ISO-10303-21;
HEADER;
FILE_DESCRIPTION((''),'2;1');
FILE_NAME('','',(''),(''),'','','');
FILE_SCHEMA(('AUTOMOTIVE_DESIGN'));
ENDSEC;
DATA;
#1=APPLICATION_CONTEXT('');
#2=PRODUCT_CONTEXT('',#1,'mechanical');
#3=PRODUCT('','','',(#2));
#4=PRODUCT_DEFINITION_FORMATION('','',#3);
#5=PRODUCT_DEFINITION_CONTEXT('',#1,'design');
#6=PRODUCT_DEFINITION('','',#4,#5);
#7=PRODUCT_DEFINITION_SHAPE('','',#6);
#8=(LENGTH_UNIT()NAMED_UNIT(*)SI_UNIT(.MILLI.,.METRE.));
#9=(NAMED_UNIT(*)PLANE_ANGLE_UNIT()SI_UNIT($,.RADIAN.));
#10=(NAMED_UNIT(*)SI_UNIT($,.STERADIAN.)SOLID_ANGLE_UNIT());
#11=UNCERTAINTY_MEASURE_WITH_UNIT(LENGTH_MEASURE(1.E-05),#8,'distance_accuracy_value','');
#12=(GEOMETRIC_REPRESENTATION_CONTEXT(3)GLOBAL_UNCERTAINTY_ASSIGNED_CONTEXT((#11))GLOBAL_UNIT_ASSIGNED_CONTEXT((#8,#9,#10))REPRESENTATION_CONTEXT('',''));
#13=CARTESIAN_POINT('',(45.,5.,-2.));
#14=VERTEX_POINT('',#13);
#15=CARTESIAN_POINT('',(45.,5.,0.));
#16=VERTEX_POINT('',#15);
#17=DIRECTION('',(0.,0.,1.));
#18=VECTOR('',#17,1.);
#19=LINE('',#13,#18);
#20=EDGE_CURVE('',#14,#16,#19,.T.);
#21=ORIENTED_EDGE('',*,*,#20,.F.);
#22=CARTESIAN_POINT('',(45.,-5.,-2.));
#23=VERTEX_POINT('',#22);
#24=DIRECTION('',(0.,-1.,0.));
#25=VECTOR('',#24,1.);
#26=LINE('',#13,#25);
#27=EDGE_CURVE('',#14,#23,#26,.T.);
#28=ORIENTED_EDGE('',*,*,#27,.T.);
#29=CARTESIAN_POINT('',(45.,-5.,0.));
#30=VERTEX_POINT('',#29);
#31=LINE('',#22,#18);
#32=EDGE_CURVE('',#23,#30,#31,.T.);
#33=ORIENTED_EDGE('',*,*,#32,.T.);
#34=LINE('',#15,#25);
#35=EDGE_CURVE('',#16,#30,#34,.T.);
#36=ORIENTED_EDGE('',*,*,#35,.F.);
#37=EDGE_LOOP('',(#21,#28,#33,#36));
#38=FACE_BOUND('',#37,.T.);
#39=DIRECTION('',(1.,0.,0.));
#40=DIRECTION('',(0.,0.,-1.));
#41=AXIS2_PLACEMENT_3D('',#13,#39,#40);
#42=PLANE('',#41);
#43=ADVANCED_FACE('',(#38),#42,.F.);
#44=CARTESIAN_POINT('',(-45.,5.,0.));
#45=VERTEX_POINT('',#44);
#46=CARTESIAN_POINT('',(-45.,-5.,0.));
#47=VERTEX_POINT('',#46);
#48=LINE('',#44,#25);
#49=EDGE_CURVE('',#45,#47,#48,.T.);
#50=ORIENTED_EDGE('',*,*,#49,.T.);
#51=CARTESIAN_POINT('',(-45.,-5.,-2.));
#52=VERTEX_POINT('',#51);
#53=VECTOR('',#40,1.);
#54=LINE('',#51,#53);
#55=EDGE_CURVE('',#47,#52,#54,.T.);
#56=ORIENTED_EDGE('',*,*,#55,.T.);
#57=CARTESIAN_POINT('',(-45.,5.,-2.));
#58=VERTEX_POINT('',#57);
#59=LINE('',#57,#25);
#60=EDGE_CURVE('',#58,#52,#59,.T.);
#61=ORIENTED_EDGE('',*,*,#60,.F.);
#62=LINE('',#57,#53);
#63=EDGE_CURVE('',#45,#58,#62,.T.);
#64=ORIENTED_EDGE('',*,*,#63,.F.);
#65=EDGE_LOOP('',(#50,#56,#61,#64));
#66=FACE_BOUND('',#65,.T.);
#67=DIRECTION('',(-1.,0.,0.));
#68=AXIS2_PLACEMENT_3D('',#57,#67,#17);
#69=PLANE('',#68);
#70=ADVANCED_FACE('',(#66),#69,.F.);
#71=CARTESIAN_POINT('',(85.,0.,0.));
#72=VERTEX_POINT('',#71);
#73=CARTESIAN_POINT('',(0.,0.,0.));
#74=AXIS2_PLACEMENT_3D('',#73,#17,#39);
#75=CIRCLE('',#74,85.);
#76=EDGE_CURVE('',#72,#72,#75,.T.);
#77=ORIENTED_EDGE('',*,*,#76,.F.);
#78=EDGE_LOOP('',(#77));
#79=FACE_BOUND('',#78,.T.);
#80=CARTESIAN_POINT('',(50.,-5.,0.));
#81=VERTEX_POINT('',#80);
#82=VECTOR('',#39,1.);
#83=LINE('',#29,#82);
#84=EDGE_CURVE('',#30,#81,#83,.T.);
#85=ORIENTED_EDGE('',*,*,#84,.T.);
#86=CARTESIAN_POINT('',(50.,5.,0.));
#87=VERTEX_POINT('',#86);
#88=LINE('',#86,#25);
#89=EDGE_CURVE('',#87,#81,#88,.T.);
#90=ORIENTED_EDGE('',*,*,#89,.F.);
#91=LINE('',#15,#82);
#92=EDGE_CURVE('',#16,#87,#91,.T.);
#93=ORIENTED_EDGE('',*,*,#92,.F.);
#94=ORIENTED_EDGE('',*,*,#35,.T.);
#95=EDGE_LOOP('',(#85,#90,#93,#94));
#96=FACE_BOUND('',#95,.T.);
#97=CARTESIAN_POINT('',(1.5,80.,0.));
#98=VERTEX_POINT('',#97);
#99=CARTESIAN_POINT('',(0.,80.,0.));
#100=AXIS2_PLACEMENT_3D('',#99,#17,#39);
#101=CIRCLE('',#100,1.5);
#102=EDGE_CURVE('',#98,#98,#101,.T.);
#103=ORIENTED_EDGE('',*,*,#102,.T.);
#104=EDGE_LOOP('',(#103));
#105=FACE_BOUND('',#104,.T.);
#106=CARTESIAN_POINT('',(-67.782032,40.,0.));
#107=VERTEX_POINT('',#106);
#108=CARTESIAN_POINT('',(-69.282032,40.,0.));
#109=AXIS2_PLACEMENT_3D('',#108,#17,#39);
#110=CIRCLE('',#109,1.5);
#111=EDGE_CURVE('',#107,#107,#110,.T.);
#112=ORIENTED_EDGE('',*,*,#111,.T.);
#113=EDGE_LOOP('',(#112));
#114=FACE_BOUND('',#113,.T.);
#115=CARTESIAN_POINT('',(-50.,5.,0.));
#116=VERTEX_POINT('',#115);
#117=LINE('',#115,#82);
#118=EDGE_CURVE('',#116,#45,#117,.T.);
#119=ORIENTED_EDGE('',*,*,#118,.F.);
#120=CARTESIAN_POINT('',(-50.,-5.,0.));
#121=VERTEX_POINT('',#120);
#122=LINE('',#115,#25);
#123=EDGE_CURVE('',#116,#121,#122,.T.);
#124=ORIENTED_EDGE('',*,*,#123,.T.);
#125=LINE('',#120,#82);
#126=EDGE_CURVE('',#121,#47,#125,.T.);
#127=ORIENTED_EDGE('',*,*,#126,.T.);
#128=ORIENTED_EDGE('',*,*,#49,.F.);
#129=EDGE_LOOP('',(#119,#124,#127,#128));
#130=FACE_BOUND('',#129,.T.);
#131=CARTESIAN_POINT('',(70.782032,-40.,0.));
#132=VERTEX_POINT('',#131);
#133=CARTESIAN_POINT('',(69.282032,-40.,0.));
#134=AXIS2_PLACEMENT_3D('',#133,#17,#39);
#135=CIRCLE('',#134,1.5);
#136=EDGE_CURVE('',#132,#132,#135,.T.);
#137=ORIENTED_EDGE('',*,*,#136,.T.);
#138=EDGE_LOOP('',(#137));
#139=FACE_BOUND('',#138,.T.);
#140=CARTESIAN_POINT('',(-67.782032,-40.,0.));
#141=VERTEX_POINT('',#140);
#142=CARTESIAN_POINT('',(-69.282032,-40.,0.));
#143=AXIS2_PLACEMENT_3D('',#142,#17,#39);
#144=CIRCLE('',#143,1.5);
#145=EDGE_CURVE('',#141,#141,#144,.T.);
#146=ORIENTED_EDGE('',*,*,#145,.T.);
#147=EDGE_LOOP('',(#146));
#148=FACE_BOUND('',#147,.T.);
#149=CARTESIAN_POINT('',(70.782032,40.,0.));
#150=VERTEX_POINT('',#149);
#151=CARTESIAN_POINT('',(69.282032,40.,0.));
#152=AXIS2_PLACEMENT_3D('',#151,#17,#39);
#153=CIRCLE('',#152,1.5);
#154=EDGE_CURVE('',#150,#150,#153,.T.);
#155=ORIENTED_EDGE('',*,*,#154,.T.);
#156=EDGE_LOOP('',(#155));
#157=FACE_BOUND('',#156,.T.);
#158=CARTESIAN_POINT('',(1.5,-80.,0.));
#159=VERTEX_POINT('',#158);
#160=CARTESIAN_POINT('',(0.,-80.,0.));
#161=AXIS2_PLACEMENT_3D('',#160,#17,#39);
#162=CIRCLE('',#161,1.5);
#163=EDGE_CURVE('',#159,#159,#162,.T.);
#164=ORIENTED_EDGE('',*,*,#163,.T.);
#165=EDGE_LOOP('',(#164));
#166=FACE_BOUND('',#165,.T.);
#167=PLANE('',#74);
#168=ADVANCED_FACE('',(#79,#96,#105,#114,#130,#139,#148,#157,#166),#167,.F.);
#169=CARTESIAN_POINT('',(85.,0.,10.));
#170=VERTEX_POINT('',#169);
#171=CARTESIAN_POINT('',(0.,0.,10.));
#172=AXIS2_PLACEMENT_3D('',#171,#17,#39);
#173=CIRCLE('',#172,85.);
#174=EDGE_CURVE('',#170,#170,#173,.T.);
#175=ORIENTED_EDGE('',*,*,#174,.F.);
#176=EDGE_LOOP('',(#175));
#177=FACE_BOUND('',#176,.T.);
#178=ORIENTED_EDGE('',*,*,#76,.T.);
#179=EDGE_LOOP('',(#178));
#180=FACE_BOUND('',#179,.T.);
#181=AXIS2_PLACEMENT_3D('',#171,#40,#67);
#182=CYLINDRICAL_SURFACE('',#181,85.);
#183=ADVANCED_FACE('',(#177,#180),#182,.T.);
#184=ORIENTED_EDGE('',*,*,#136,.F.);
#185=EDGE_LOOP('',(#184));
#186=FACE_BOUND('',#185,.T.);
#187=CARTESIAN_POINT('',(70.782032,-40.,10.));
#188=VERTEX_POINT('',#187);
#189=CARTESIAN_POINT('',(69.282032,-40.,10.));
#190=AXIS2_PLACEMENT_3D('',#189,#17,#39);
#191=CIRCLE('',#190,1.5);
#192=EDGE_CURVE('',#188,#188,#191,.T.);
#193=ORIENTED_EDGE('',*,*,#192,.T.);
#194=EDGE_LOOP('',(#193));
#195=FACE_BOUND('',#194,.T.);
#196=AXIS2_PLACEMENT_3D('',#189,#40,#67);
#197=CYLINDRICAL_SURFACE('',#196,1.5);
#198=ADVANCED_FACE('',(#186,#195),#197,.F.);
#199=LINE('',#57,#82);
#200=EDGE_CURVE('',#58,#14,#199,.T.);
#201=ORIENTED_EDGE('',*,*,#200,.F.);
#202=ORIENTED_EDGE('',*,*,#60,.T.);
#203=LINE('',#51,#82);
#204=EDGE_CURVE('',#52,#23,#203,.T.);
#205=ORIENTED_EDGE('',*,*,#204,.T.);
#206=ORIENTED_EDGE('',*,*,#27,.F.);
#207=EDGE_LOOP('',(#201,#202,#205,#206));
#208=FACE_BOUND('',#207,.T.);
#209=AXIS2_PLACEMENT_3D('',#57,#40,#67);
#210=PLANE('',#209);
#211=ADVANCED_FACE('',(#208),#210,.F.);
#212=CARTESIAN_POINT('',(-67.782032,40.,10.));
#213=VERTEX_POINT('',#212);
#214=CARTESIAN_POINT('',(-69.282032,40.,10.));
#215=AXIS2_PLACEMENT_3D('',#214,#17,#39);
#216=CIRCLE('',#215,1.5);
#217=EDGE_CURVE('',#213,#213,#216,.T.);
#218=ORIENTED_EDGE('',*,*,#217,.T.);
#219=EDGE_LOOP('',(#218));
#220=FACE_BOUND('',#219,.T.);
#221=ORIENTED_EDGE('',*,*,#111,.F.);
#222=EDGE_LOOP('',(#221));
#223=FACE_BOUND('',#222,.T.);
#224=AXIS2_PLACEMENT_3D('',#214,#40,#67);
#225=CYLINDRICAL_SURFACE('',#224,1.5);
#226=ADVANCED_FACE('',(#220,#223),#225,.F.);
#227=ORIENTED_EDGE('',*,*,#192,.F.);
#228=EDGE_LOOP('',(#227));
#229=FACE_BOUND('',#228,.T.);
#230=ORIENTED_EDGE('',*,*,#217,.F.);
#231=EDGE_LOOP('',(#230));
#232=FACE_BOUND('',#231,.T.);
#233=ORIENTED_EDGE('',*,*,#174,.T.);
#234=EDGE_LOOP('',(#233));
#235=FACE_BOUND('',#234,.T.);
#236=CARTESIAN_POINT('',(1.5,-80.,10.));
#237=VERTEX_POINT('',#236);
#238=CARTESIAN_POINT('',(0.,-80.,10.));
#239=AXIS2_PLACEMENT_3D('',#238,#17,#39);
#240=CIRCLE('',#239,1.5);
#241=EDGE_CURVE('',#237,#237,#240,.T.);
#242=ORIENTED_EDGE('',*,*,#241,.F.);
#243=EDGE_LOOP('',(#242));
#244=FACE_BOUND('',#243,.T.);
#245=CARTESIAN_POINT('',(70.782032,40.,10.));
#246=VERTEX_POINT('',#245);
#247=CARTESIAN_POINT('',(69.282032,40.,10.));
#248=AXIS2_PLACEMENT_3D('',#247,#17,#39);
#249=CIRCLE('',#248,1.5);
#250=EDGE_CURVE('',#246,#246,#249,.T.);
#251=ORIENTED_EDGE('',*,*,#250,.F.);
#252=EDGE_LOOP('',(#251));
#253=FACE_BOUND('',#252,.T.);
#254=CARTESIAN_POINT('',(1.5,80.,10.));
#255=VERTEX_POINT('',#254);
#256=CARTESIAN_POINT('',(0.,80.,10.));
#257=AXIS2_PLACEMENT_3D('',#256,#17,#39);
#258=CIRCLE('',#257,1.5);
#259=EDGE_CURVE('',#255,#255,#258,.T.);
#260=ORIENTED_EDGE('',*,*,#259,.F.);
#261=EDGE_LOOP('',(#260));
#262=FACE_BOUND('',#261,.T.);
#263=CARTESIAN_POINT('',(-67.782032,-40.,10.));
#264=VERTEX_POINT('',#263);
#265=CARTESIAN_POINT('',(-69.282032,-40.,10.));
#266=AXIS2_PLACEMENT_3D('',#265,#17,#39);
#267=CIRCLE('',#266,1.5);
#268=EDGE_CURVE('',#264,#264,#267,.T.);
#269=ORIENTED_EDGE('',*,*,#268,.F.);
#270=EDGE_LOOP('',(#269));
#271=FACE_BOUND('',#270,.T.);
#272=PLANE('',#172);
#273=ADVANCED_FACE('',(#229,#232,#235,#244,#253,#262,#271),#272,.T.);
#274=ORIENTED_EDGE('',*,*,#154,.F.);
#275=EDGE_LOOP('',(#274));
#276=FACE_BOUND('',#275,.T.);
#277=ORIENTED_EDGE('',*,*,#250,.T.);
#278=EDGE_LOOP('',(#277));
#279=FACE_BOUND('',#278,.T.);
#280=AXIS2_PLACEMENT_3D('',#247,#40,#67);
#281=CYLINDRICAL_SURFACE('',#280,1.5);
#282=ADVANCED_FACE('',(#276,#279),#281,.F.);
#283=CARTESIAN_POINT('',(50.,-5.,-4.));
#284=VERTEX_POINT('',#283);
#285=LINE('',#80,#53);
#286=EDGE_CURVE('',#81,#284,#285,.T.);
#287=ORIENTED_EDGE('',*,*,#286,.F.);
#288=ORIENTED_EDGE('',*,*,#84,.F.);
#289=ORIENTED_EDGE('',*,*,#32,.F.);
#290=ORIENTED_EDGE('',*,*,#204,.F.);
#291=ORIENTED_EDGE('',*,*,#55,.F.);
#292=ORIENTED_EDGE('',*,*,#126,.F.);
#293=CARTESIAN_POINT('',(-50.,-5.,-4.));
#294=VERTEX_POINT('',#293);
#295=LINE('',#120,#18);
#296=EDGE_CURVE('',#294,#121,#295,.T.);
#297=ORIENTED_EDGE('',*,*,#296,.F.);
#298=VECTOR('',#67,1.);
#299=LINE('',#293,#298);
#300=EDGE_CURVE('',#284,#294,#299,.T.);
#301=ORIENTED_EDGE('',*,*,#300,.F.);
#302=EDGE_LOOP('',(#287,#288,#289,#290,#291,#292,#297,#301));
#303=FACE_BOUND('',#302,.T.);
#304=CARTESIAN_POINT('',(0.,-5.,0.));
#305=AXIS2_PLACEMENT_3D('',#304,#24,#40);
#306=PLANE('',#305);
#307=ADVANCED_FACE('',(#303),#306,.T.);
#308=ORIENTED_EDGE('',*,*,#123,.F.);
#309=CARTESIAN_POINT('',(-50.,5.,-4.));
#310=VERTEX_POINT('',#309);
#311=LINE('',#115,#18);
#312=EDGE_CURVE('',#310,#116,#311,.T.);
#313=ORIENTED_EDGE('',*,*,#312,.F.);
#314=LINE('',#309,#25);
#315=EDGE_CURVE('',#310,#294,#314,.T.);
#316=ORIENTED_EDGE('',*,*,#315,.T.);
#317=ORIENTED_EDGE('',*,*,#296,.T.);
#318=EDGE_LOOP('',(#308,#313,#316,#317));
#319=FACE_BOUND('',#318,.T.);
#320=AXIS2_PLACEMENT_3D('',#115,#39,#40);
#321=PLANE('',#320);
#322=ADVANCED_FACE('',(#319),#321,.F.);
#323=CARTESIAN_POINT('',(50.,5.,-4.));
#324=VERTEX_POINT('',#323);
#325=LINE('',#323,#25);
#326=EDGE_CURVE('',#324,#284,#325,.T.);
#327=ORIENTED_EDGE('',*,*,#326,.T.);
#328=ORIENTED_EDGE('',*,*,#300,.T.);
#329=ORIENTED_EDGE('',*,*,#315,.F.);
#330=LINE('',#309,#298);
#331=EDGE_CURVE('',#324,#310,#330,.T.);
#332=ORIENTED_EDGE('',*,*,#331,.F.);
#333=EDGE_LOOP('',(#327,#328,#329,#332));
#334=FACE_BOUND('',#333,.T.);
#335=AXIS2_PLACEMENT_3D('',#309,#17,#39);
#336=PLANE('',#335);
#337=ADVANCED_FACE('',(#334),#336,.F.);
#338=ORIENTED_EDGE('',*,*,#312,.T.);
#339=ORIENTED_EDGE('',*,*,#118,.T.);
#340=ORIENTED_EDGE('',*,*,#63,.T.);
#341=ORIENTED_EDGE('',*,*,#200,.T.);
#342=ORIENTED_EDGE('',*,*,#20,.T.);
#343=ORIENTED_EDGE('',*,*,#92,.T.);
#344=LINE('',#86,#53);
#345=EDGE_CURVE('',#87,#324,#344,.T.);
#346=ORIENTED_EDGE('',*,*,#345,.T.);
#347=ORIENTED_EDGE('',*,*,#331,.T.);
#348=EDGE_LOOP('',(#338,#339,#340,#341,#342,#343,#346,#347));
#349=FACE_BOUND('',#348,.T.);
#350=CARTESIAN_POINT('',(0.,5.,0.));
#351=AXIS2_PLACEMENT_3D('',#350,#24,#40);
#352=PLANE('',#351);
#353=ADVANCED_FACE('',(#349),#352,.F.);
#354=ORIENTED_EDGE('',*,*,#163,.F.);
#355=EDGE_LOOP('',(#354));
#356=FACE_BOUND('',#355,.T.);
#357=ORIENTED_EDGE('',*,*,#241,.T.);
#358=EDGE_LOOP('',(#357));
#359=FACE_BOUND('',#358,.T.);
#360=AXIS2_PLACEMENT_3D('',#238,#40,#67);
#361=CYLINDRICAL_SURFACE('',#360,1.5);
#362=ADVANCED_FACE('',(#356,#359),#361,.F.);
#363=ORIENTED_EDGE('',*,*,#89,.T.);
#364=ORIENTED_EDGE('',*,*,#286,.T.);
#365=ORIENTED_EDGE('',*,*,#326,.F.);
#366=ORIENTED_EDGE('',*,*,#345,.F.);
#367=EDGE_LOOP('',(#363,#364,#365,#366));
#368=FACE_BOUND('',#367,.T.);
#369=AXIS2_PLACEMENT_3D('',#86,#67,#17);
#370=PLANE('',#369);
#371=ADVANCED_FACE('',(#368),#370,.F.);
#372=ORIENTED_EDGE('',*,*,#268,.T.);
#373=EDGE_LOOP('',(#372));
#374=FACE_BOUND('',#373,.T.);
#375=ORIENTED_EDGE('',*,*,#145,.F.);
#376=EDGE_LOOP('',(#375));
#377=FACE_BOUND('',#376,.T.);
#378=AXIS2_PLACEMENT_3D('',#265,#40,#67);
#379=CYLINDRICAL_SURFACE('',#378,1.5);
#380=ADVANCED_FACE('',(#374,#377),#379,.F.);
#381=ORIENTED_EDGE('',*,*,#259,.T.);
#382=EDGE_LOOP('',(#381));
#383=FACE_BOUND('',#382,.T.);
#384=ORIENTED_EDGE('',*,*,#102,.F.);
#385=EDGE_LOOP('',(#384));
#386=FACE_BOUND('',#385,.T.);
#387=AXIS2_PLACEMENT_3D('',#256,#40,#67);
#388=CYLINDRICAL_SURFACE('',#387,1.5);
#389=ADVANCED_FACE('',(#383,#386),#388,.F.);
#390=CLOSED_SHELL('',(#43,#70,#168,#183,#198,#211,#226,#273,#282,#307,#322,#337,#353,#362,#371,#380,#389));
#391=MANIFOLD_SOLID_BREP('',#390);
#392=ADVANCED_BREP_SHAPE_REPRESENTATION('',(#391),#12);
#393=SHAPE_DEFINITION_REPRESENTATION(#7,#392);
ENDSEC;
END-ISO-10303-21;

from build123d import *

# Parameters (mm, degrees)
SKETCH1_R           = 85
SKETCH1_R_2         = 1.5
BOSS_EXTRUDE1_DEPTH = 10
BOSS_EXTRUDE2_DEPTH = 5


with BuildPart() as part:
    # Sketch1 → Boss-Extrude1 (new body)
    with BuildSketch(Plane.XY):
        Circle(SKETCH1_R)
        with Locations((0, 80)):
            Circle(SKETCH1_R_2, mode=Mode.SUBTRACT)
        with Locations((69.282032303, 40)):
            Circle(SKETCH1_R_2, mode=Mode.SUBTRACT)
        with Locations((69.282032303, -40)):
            Circle(SKETCH1_R_2, mode=Mode.SUBTRACT)
        with Locations((0, -80)):
            Circle(SKETCH1_R_2, mode=Mode.SUBTRACT)
        with Locations((-69.282032303, -40)):
            Circle(SKETCH1_R_2, mode=Mode.SUBTRACT)
        with Locations((-69.282032303, 40)):
            Circle(SKETCH1_R_2, mode=Mode.SUBTRACT)
    extrude(amount=BOSS_EXTRUDE1_DEPTH)

    # Sketch2 → Boss-Extrude2 (add, symmetric)
    with BuildSketch(Plane(origin=(0, 0, 0), x_dir=(1, 0, 0), z_dir=(0, 1, 0))):
        Polygon((-50, 0), (-45, 0), (-45, 2), (45, 2), (45, 0), (50, 0), (50, 4), (-50, 4), align=None)
    extrude(amount=BOSS_EXTRUDE2_DEPTH, both=True)


solid = part.part
